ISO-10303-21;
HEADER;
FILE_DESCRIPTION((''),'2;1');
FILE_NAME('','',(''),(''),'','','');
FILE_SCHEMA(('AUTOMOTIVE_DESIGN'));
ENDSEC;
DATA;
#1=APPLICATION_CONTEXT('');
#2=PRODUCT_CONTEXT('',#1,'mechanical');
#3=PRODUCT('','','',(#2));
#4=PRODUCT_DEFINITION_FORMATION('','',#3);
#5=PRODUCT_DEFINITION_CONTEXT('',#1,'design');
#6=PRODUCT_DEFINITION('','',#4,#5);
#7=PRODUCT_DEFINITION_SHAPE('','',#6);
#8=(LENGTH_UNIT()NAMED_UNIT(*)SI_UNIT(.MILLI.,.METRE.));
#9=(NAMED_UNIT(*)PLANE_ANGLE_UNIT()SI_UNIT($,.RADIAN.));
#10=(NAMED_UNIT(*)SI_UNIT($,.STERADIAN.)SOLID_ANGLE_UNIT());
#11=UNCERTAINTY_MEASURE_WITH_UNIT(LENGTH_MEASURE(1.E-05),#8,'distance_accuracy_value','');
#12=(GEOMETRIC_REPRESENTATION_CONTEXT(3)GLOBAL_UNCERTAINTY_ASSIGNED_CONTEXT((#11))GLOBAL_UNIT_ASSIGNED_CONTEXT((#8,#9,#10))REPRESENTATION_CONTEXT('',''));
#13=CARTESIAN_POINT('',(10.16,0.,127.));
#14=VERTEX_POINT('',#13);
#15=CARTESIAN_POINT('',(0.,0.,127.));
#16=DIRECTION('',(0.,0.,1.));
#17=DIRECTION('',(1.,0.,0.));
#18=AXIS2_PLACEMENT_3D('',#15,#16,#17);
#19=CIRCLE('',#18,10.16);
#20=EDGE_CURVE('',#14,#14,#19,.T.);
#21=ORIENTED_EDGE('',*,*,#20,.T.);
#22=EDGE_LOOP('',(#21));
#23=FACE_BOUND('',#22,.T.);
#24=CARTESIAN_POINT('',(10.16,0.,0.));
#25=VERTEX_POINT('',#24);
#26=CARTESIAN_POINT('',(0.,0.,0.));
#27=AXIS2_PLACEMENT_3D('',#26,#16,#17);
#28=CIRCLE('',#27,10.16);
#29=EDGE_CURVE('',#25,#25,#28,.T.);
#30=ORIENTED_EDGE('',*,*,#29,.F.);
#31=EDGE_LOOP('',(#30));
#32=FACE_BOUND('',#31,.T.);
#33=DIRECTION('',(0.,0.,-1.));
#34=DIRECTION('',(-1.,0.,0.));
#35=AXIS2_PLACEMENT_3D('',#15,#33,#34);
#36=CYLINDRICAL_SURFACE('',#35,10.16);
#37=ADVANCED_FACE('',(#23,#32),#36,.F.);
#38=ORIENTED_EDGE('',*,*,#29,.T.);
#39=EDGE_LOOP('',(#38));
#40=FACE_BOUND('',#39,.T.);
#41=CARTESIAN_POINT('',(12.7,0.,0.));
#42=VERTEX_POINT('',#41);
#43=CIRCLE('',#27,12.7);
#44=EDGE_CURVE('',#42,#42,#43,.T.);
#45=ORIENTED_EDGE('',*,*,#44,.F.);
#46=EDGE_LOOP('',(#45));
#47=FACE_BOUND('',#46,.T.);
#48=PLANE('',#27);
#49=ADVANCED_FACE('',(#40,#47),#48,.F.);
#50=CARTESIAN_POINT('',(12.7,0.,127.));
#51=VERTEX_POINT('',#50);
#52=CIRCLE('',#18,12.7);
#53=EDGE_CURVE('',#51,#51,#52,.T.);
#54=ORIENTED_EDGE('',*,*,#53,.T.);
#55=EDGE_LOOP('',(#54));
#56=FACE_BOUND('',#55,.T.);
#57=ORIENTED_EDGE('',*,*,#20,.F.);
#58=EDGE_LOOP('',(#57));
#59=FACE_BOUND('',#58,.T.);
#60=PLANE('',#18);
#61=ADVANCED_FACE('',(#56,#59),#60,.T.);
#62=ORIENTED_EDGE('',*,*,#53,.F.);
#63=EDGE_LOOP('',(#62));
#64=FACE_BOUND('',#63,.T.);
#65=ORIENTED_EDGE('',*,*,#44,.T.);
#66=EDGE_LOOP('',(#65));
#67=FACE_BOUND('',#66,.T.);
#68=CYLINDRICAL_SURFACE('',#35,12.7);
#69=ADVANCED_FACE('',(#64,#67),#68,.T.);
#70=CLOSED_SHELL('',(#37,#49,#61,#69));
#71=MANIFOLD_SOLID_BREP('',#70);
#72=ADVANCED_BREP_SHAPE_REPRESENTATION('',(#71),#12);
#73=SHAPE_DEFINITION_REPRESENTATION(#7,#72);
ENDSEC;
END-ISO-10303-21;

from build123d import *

# Parameters (mm, degrees)
SKETCH1_R           = 12.7
SKETCH1_R_2         = 10.16
EXTRUDE_THIN1_DEPTH = 127


with BuildPart() as part:
    # Sketch1 → Extrude-Thin1 (new body)
    with BuildSketch(Plane.XY):
        Circle(SKETCH1_R)
        Circle(SKETCH1_R_2, mode=Mode.SUBTRACT)
    extrude(amount=EXTRUDE_THIN1_DEPTH)


solid = part.part
